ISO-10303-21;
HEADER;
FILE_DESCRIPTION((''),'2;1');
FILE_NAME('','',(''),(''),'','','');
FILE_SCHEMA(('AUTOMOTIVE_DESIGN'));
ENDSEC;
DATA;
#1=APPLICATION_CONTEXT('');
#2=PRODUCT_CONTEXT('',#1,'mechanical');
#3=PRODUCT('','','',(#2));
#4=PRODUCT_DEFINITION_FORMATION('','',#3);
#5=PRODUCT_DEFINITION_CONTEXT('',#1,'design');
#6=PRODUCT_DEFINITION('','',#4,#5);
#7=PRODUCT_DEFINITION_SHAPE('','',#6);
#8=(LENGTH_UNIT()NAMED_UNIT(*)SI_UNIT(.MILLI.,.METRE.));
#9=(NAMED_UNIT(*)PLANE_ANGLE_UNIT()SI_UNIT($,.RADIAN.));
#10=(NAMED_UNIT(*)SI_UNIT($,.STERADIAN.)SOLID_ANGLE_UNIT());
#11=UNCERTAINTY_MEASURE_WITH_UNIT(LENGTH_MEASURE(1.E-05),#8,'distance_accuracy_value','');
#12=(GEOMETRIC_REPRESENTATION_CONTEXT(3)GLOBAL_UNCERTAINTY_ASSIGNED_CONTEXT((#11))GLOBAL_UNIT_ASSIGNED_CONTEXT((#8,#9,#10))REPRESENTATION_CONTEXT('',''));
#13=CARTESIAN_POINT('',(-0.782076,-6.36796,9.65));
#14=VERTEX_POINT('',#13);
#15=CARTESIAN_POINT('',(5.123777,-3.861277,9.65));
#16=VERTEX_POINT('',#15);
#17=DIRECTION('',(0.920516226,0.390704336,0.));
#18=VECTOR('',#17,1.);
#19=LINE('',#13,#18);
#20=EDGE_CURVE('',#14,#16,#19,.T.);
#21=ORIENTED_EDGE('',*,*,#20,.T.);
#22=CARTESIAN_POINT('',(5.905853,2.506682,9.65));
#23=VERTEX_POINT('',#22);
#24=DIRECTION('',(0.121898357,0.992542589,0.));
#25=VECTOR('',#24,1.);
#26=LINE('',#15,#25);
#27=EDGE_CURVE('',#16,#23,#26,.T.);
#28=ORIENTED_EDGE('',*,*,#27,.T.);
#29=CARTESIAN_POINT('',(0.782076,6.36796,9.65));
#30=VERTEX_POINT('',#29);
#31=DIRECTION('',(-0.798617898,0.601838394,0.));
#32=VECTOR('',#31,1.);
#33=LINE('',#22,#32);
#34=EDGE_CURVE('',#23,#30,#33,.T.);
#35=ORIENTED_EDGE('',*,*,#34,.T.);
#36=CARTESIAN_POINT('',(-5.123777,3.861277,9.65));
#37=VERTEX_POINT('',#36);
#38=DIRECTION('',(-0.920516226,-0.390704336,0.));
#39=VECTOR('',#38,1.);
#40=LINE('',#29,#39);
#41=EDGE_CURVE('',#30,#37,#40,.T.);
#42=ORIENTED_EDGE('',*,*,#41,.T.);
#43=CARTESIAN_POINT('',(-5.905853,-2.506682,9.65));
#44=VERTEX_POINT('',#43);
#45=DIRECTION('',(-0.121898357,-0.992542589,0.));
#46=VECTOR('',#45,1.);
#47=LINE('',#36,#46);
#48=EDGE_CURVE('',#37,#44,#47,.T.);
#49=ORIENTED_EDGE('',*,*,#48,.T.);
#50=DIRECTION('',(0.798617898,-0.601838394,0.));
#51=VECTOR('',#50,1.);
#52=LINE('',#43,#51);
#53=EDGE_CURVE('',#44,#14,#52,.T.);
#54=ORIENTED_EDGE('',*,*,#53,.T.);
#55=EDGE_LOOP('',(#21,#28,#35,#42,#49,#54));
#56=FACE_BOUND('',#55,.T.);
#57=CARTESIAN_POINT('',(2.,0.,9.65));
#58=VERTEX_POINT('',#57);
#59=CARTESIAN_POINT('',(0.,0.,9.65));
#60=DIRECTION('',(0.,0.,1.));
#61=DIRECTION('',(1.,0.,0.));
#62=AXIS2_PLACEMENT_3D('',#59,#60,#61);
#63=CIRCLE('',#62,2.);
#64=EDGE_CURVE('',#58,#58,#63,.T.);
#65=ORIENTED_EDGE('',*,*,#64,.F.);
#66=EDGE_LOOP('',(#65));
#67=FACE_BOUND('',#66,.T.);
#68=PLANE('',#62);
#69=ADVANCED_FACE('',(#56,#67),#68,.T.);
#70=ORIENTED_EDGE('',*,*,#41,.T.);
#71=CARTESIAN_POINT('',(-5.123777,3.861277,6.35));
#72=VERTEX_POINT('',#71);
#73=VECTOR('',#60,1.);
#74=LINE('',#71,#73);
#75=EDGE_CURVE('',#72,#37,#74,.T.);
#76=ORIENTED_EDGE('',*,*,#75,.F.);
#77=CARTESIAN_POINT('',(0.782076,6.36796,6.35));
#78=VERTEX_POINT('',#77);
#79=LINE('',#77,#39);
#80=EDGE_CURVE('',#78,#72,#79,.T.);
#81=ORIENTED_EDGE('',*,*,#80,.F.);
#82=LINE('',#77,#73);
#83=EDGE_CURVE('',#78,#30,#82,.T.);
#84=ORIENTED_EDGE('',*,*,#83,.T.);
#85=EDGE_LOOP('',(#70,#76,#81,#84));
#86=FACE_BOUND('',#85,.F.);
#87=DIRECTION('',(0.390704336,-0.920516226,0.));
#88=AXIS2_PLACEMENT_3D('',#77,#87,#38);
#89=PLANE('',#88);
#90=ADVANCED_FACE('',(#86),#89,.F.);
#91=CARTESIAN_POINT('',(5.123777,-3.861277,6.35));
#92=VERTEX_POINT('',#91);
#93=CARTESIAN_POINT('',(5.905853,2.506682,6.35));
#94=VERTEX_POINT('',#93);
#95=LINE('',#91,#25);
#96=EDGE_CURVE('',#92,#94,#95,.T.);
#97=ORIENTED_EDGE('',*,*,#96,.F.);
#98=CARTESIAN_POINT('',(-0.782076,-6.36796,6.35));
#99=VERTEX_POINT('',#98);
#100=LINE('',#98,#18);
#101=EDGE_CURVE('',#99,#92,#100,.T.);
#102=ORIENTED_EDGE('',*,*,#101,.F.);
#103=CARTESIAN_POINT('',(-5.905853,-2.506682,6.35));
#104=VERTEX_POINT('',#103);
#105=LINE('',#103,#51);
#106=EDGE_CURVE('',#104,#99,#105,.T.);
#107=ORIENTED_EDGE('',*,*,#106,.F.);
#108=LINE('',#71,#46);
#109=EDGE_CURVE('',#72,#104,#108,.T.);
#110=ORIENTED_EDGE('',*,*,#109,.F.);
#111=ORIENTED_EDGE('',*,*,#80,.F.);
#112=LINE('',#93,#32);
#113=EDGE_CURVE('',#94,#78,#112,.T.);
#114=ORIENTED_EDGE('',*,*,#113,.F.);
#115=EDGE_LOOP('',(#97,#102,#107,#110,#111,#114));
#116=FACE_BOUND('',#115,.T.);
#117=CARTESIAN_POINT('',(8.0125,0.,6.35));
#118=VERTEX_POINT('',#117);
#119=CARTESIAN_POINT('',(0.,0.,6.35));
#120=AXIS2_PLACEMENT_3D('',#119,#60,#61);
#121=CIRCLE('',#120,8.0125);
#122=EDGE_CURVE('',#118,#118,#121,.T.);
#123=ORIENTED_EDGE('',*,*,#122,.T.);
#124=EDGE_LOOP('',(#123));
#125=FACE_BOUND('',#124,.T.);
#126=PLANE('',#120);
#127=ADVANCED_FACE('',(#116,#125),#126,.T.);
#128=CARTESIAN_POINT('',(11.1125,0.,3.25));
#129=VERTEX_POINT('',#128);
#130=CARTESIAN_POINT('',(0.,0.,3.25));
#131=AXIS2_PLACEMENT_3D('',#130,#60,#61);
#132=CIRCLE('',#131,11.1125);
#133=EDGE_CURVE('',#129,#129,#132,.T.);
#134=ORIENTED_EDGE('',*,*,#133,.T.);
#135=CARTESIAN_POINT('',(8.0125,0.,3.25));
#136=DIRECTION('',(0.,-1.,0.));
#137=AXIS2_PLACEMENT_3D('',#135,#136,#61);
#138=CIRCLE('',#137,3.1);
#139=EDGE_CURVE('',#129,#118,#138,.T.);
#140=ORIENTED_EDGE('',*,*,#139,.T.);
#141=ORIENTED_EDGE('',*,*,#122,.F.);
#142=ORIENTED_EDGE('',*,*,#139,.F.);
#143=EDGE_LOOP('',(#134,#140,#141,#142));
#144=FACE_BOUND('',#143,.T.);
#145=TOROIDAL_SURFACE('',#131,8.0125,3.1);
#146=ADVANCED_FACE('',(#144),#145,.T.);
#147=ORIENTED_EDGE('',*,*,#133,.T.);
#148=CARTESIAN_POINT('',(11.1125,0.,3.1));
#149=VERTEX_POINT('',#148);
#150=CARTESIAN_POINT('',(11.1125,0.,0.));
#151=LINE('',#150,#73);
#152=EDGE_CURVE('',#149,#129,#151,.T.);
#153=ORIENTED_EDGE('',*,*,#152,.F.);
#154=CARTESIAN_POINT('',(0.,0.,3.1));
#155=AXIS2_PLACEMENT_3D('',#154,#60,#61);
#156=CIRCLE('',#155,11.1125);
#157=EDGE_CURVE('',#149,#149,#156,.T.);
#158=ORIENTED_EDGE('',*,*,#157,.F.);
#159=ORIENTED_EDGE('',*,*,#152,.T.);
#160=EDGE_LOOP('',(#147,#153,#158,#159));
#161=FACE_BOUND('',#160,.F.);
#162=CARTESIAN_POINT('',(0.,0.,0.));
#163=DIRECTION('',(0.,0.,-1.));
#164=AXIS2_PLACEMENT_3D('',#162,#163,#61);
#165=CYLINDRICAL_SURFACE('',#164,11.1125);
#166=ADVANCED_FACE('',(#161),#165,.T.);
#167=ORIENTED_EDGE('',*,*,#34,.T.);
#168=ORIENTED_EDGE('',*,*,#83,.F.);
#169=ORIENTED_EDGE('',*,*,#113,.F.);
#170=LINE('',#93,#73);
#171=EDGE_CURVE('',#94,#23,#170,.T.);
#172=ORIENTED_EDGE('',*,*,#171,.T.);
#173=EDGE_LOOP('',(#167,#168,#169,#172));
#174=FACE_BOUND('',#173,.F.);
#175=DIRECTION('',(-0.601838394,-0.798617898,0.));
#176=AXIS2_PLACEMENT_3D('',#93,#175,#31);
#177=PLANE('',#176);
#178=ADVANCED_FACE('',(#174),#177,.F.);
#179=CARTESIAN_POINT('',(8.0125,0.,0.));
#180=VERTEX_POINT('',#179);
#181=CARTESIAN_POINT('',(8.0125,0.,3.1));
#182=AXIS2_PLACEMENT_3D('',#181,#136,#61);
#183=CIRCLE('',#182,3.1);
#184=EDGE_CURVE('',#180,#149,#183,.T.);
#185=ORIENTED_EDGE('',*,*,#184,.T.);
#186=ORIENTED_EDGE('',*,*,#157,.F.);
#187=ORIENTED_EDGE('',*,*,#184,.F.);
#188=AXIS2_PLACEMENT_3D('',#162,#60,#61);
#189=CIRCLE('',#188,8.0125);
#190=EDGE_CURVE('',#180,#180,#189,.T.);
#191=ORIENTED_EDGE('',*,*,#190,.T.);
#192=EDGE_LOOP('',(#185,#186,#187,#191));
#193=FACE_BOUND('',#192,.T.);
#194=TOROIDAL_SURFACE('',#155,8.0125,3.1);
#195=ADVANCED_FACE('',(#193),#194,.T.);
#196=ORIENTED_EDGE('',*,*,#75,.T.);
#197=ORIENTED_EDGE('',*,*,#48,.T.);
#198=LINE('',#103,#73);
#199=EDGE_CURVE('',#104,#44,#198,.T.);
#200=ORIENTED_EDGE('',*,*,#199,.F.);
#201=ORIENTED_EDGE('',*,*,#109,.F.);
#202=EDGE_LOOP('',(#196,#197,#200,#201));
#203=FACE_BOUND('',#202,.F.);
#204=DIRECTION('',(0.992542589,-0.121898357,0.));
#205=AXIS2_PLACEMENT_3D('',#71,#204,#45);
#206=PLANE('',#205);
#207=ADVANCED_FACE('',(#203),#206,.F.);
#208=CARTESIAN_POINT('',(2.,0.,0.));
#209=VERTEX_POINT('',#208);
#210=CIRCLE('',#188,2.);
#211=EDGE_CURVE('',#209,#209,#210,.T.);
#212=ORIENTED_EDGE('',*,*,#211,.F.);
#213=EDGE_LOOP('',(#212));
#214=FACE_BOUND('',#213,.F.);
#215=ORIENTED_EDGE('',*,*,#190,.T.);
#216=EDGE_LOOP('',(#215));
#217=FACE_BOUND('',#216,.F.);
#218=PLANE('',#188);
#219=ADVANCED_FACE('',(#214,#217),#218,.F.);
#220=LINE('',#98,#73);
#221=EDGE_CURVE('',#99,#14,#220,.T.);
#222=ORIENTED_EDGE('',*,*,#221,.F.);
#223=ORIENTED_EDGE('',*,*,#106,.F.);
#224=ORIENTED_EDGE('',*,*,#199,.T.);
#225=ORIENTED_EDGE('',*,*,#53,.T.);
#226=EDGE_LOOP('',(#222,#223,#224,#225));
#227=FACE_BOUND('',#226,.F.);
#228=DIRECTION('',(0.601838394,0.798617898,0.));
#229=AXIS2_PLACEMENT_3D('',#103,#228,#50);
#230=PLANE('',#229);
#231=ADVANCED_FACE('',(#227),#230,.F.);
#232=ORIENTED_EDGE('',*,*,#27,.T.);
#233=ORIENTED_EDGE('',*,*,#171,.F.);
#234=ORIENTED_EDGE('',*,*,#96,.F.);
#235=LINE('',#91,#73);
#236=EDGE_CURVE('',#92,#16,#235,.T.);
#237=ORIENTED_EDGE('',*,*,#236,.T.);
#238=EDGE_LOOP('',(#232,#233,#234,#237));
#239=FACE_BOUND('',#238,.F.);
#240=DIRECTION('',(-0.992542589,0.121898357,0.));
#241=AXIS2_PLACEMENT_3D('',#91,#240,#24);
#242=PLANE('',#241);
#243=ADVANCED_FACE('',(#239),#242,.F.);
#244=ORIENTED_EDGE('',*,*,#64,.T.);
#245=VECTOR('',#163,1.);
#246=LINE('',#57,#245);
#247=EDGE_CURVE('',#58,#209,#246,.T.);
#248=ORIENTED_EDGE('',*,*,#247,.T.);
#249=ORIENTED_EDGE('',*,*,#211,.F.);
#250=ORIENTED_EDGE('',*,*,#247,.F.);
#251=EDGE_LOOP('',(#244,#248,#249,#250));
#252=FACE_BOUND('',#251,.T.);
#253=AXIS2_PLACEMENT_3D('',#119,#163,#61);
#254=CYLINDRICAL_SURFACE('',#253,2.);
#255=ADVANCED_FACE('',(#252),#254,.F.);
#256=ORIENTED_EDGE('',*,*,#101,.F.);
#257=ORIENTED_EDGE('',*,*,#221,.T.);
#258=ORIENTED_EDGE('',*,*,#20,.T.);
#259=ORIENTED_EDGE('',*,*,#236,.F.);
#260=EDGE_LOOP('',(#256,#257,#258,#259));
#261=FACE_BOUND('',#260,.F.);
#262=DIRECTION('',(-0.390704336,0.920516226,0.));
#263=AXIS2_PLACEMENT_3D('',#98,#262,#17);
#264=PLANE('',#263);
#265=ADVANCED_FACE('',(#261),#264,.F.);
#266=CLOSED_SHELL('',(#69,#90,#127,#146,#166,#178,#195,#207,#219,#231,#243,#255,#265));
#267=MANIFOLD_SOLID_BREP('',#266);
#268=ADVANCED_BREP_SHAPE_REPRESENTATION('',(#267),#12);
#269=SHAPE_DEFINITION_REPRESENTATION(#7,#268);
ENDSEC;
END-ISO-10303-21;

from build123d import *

# Parameters (mm, degrees)
F0_R     = 11.1125
F0_R_2   = 2
F1_DEPTH = 6.35
F2_R     = 2
F3_DEPTH = 3.3
F4_R     = 3.1


with BuildPart() as f1:
    # F0 (on Top) → F1 (new body)
    with BuildSketch(Plane.XY):
        Circle(F0_R)
        Circle(F0_R_2, mode=Mode.SUBTRACT)
    extrude(amount=F1_DEPTH)

    # F2 (on face) → F3 (join)
    with BuildSketch(Plane.XY.offset(6.35)):
        Polygon((-5.123777, 3.861277), (-5.905853, -2.506682), (-0.782076, -6.36796), (5.123777, -3.861277), (5.905853, 2.506682), (0.782076, 6.36796), align=None)
        Circle(F2_R, mode=Mode.SUBTRACT)
    extrude(amount=F3_DEPTH)

    # F4
    f4_edges = [f1.edges().sort_by_distance(p)[0] for p in [
        (-11.1125, 0, 0),
        (-11.1125, 0, 6.35),
    ]]
    fillet(f4_edges, radius=F4_R)


solid = f1.part
